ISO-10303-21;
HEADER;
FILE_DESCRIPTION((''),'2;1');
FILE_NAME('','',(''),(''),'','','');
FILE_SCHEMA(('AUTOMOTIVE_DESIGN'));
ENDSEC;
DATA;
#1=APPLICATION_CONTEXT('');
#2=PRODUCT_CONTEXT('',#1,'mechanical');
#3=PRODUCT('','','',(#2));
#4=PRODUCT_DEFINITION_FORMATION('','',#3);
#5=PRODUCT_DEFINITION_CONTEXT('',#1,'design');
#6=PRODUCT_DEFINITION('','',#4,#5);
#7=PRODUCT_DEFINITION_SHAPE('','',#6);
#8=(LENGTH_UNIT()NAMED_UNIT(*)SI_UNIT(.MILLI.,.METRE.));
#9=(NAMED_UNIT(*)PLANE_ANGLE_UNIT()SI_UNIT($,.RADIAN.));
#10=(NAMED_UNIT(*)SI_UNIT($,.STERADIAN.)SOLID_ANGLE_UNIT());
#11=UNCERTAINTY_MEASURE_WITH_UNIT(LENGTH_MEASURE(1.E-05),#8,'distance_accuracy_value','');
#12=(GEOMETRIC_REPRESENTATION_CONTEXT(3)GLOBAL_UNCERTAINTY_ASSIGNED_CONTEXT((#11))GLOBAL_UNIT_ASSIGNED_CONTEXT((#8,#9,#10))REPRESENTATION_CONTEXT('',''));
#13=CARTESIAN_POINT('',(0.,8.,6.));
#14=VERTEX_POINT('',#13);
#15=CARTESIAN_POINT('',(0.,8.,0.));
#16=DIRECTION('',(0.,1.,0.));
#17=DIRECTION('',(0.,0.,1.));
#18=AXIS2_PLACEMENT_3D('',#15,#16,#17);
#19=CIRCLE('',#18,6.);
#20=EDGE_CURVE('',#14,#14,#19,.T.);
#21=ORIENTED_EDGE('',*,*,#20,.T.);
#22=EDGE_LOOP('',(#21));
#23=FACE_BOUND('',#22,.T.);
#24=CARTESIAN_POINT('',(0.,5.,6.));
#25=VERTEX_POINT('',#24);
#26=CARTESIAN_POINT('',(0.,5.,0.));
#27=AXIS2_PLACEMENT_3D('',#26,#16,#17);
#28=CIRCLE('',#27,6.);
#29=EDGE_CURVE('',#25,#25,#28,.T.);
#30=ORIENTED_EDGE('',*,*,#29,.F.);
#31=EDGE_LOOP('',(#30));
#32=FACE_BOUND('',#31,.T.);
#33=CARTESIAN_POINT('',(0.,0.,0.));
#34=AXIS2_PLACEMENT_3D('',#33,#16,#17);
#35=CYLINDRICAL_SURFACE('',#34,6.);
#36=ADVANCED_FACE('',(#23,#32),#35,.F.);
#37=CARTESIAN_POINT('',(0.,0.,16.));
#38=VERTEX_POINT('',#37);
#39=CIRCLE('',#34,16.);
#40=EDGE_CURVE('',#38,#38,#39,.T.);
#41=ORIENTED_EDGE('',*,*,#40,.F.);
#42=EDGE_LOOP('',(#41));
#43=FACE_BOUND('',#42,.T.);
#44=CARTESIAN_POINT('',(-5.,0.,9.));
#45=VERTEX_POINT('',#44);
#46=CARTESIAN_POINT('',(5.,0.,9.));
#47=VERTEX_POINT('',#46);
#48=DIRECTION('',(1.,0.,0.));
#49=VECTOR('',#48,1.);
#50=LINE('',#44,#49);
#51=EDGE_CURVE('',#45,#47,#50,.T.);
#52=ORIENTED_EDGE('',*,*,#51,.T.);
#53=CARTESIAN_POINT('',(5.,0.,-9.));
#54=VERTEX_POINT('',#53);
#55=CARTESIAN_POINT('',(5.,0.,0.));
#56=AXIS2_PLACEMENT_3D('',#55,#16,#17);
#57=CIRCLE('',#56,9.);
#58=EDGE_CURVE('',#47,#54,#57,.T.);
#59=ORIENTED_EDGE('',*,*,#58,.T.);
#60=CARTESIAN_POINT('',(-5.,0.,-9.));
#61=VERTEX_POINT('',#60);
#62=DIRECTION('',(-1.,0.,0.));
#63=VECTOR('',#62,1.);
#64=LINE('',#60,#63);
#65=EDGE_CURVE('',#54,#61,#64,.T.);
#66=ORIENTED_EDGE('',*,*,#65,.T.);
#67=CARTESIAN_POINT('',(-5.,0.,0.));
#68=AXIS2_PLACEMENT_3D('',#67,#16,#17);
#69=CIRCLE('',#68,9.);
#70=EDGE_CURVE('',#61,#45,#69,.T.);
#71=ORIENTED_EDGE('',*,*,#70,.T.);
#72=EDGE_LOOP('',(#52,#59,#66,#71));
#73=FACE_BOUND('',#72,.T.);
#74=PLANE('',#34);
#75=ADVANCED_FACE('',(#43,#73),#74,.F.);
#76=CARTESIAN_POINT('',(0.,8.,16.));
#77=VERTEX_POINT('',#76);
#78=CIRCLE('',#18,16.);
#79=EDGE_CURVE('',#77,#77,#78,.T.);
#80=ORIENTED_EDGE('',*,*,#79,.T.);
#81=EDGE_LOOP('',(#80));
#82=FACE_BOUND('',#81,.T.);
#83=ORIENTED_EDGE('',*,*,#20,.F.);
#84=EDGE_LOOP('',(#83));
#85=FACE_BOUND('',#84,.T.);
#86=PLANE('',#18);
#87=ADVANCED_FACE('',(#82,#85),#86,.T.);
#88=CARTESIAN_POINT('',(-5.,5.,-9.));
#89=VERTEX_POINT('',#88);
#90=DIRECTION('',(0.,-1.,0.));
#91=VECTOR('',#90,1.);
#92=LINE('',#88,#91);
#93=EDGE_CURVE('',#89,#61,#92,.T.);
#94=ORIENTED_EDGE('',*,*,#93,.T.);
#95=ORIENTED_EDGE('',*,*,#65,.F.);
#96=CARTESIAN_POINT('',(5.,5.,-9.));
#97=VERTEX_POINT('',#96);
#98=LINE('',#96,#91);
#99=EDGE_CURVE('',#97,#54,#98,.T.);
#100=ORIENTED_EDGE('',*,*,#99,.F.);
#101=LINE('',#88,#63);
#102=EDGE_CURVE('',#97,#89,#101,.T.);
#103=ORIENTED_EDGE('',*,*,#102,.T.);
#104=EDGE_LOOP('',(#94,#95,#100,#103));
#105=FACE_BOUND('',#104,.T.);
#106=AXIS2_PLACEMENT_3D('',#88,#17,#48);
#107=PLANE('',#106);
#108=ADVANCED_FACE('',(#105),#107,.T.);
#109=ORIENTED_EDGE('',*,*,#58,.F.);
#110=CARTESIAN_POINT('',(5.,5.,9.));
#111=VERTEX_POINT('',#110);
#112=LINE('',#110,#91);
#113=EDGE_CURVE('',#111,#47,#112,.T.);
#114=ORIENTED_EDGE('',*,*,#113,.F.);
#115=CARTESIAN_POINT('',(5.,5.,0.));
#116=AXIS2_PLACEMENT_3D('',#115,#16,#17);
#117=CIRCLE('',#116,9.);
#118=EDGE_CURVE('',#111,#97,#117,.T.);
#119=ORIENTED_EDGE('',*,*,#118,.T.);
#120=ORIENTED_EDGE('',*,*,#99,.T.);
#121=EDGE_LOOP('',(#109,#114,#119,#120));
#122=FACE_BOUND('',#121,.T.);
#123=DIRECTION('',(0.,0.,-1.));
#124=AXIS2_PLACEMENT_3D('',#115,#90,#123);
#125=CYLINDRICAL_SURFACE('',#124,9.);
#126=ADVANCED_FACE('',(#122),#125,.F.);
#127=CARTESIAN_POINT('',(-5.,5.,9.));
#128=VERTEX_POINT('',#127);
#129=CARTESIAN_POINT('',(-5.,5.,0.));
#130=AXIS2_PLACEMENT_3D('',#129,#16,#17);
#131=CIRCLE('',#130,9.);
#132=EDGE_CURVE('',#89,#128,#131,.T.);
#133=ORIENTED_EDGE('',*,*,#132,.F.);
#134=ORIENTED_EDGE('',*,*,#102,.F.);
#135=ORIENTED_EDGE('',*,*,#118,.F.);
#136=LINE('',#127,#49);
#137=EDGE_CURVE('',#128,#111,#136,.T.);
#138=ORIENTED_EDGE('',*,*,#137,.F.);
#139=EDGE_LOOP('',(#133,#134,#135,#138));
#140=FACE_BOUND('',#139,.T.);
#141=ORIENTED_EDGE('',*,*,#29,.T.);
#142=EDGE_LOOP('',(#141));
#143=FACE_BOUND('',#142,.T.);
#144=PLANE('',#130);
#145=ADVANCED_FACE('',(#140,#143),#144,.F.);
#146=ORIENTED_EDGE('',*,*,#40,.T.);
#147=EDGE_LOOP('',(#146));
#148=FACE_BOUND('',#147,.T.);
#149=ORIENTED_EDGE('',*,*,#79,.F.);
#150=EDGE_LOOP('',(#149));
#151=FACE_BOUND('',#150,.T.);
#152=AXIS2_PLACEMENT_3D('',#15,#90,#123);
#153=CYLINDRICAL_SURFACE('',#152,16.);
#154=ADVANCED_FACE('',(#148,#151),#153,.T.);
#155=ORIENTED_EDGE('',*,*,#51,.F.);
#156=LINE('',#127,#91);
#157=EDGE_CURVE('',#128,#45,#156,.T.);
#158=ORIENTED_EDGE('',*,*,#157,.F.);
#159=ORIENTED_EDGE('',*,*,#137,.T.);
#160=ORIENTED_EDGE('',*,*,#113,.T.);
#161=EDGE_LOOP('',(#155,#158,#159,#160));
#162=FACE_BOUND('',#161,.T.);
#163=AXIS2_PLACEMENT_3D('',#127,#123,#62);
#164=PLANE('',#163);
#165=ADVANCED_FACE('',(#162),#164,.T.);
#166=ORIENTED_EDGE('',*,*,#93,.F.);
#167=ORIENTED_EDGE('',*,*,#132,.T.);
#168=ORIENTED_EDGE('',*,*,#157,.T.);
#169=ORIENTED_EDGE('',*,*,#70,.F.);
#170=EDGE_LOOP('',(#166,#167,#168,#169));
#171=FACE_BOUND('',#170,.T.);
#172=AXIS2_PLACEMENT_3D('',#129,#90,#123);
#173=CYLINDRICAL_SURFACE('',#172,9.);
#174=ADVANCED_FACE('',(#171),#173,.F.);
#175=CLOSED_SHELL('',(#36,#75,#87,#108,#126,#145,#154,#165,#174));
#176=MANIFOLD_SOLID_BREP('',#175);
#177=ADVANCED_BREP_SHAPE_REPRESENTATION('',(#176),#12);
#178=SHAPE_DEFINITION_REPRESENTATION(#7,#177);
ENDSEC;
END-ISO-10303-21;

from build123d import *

# Parameters (mm, degrees)
ESQUISSE2_R             = 16
BOSS_EXTRU_1_DEPTH      = 8
ENL_V_MAT_EXTRU_1_DEPTH = 5
ESQUISSE3_R             = 6
ENL_V_MAT_EXTRU_2_DEPTH = 25


with BuildPart() as part:
    # Esquisse2 → Boss.-Extru.1 (new body)
    with BuildSketch(Plane(origin=(0, 0, 0), x_dir=(1, 0, 0), z_dir=(0, 1, 0))):
        with Locations(Location((0, 0, 0), (0, 0, 270))):
            Circle(ESQUISSE2_R)
    extrude(amount=BOSS_EXTRU_1_DEPTH)

    # Esquisse1 → Enlèv. mat.-Extru.1 (cut)
    with BuildSketch(Plane(origin=(0, 0, 0), x_dir=(1, 0, 0), z_dir=(0, 1, 0))):
        with BuildLine():
            Line((-5, 9), (5, 9))
            ThreePointArc((5, 9), (14, 0), (5, -9))
            Line((5, -9), (-5, -9))
            ThreePointArc((-5, -9), (-14, 0), (-5, 9))
        make_face()
    extrude(amount=ENL_V_MAT_EXTRU_1_DEPTH, mode=Mode.SUBTRACT)

    # Esquisse3 → Enlèv. mat.-Extru.2 (cut, through all)
    with BuildSketch(Plane(origin=(0, 8, 0), x_dir=(1, 0, 0), z_dir=(0, 1, 0))):
        with Locations(Location((0, 0, 0), (0, 0, 270))):
            Circle(ESQUISSE3_R)
    extrude(amount=-ENL_V_MAT_EXTRU_2_DEPTH, mode=Mode.SUBTRACT)


solid = part.part
